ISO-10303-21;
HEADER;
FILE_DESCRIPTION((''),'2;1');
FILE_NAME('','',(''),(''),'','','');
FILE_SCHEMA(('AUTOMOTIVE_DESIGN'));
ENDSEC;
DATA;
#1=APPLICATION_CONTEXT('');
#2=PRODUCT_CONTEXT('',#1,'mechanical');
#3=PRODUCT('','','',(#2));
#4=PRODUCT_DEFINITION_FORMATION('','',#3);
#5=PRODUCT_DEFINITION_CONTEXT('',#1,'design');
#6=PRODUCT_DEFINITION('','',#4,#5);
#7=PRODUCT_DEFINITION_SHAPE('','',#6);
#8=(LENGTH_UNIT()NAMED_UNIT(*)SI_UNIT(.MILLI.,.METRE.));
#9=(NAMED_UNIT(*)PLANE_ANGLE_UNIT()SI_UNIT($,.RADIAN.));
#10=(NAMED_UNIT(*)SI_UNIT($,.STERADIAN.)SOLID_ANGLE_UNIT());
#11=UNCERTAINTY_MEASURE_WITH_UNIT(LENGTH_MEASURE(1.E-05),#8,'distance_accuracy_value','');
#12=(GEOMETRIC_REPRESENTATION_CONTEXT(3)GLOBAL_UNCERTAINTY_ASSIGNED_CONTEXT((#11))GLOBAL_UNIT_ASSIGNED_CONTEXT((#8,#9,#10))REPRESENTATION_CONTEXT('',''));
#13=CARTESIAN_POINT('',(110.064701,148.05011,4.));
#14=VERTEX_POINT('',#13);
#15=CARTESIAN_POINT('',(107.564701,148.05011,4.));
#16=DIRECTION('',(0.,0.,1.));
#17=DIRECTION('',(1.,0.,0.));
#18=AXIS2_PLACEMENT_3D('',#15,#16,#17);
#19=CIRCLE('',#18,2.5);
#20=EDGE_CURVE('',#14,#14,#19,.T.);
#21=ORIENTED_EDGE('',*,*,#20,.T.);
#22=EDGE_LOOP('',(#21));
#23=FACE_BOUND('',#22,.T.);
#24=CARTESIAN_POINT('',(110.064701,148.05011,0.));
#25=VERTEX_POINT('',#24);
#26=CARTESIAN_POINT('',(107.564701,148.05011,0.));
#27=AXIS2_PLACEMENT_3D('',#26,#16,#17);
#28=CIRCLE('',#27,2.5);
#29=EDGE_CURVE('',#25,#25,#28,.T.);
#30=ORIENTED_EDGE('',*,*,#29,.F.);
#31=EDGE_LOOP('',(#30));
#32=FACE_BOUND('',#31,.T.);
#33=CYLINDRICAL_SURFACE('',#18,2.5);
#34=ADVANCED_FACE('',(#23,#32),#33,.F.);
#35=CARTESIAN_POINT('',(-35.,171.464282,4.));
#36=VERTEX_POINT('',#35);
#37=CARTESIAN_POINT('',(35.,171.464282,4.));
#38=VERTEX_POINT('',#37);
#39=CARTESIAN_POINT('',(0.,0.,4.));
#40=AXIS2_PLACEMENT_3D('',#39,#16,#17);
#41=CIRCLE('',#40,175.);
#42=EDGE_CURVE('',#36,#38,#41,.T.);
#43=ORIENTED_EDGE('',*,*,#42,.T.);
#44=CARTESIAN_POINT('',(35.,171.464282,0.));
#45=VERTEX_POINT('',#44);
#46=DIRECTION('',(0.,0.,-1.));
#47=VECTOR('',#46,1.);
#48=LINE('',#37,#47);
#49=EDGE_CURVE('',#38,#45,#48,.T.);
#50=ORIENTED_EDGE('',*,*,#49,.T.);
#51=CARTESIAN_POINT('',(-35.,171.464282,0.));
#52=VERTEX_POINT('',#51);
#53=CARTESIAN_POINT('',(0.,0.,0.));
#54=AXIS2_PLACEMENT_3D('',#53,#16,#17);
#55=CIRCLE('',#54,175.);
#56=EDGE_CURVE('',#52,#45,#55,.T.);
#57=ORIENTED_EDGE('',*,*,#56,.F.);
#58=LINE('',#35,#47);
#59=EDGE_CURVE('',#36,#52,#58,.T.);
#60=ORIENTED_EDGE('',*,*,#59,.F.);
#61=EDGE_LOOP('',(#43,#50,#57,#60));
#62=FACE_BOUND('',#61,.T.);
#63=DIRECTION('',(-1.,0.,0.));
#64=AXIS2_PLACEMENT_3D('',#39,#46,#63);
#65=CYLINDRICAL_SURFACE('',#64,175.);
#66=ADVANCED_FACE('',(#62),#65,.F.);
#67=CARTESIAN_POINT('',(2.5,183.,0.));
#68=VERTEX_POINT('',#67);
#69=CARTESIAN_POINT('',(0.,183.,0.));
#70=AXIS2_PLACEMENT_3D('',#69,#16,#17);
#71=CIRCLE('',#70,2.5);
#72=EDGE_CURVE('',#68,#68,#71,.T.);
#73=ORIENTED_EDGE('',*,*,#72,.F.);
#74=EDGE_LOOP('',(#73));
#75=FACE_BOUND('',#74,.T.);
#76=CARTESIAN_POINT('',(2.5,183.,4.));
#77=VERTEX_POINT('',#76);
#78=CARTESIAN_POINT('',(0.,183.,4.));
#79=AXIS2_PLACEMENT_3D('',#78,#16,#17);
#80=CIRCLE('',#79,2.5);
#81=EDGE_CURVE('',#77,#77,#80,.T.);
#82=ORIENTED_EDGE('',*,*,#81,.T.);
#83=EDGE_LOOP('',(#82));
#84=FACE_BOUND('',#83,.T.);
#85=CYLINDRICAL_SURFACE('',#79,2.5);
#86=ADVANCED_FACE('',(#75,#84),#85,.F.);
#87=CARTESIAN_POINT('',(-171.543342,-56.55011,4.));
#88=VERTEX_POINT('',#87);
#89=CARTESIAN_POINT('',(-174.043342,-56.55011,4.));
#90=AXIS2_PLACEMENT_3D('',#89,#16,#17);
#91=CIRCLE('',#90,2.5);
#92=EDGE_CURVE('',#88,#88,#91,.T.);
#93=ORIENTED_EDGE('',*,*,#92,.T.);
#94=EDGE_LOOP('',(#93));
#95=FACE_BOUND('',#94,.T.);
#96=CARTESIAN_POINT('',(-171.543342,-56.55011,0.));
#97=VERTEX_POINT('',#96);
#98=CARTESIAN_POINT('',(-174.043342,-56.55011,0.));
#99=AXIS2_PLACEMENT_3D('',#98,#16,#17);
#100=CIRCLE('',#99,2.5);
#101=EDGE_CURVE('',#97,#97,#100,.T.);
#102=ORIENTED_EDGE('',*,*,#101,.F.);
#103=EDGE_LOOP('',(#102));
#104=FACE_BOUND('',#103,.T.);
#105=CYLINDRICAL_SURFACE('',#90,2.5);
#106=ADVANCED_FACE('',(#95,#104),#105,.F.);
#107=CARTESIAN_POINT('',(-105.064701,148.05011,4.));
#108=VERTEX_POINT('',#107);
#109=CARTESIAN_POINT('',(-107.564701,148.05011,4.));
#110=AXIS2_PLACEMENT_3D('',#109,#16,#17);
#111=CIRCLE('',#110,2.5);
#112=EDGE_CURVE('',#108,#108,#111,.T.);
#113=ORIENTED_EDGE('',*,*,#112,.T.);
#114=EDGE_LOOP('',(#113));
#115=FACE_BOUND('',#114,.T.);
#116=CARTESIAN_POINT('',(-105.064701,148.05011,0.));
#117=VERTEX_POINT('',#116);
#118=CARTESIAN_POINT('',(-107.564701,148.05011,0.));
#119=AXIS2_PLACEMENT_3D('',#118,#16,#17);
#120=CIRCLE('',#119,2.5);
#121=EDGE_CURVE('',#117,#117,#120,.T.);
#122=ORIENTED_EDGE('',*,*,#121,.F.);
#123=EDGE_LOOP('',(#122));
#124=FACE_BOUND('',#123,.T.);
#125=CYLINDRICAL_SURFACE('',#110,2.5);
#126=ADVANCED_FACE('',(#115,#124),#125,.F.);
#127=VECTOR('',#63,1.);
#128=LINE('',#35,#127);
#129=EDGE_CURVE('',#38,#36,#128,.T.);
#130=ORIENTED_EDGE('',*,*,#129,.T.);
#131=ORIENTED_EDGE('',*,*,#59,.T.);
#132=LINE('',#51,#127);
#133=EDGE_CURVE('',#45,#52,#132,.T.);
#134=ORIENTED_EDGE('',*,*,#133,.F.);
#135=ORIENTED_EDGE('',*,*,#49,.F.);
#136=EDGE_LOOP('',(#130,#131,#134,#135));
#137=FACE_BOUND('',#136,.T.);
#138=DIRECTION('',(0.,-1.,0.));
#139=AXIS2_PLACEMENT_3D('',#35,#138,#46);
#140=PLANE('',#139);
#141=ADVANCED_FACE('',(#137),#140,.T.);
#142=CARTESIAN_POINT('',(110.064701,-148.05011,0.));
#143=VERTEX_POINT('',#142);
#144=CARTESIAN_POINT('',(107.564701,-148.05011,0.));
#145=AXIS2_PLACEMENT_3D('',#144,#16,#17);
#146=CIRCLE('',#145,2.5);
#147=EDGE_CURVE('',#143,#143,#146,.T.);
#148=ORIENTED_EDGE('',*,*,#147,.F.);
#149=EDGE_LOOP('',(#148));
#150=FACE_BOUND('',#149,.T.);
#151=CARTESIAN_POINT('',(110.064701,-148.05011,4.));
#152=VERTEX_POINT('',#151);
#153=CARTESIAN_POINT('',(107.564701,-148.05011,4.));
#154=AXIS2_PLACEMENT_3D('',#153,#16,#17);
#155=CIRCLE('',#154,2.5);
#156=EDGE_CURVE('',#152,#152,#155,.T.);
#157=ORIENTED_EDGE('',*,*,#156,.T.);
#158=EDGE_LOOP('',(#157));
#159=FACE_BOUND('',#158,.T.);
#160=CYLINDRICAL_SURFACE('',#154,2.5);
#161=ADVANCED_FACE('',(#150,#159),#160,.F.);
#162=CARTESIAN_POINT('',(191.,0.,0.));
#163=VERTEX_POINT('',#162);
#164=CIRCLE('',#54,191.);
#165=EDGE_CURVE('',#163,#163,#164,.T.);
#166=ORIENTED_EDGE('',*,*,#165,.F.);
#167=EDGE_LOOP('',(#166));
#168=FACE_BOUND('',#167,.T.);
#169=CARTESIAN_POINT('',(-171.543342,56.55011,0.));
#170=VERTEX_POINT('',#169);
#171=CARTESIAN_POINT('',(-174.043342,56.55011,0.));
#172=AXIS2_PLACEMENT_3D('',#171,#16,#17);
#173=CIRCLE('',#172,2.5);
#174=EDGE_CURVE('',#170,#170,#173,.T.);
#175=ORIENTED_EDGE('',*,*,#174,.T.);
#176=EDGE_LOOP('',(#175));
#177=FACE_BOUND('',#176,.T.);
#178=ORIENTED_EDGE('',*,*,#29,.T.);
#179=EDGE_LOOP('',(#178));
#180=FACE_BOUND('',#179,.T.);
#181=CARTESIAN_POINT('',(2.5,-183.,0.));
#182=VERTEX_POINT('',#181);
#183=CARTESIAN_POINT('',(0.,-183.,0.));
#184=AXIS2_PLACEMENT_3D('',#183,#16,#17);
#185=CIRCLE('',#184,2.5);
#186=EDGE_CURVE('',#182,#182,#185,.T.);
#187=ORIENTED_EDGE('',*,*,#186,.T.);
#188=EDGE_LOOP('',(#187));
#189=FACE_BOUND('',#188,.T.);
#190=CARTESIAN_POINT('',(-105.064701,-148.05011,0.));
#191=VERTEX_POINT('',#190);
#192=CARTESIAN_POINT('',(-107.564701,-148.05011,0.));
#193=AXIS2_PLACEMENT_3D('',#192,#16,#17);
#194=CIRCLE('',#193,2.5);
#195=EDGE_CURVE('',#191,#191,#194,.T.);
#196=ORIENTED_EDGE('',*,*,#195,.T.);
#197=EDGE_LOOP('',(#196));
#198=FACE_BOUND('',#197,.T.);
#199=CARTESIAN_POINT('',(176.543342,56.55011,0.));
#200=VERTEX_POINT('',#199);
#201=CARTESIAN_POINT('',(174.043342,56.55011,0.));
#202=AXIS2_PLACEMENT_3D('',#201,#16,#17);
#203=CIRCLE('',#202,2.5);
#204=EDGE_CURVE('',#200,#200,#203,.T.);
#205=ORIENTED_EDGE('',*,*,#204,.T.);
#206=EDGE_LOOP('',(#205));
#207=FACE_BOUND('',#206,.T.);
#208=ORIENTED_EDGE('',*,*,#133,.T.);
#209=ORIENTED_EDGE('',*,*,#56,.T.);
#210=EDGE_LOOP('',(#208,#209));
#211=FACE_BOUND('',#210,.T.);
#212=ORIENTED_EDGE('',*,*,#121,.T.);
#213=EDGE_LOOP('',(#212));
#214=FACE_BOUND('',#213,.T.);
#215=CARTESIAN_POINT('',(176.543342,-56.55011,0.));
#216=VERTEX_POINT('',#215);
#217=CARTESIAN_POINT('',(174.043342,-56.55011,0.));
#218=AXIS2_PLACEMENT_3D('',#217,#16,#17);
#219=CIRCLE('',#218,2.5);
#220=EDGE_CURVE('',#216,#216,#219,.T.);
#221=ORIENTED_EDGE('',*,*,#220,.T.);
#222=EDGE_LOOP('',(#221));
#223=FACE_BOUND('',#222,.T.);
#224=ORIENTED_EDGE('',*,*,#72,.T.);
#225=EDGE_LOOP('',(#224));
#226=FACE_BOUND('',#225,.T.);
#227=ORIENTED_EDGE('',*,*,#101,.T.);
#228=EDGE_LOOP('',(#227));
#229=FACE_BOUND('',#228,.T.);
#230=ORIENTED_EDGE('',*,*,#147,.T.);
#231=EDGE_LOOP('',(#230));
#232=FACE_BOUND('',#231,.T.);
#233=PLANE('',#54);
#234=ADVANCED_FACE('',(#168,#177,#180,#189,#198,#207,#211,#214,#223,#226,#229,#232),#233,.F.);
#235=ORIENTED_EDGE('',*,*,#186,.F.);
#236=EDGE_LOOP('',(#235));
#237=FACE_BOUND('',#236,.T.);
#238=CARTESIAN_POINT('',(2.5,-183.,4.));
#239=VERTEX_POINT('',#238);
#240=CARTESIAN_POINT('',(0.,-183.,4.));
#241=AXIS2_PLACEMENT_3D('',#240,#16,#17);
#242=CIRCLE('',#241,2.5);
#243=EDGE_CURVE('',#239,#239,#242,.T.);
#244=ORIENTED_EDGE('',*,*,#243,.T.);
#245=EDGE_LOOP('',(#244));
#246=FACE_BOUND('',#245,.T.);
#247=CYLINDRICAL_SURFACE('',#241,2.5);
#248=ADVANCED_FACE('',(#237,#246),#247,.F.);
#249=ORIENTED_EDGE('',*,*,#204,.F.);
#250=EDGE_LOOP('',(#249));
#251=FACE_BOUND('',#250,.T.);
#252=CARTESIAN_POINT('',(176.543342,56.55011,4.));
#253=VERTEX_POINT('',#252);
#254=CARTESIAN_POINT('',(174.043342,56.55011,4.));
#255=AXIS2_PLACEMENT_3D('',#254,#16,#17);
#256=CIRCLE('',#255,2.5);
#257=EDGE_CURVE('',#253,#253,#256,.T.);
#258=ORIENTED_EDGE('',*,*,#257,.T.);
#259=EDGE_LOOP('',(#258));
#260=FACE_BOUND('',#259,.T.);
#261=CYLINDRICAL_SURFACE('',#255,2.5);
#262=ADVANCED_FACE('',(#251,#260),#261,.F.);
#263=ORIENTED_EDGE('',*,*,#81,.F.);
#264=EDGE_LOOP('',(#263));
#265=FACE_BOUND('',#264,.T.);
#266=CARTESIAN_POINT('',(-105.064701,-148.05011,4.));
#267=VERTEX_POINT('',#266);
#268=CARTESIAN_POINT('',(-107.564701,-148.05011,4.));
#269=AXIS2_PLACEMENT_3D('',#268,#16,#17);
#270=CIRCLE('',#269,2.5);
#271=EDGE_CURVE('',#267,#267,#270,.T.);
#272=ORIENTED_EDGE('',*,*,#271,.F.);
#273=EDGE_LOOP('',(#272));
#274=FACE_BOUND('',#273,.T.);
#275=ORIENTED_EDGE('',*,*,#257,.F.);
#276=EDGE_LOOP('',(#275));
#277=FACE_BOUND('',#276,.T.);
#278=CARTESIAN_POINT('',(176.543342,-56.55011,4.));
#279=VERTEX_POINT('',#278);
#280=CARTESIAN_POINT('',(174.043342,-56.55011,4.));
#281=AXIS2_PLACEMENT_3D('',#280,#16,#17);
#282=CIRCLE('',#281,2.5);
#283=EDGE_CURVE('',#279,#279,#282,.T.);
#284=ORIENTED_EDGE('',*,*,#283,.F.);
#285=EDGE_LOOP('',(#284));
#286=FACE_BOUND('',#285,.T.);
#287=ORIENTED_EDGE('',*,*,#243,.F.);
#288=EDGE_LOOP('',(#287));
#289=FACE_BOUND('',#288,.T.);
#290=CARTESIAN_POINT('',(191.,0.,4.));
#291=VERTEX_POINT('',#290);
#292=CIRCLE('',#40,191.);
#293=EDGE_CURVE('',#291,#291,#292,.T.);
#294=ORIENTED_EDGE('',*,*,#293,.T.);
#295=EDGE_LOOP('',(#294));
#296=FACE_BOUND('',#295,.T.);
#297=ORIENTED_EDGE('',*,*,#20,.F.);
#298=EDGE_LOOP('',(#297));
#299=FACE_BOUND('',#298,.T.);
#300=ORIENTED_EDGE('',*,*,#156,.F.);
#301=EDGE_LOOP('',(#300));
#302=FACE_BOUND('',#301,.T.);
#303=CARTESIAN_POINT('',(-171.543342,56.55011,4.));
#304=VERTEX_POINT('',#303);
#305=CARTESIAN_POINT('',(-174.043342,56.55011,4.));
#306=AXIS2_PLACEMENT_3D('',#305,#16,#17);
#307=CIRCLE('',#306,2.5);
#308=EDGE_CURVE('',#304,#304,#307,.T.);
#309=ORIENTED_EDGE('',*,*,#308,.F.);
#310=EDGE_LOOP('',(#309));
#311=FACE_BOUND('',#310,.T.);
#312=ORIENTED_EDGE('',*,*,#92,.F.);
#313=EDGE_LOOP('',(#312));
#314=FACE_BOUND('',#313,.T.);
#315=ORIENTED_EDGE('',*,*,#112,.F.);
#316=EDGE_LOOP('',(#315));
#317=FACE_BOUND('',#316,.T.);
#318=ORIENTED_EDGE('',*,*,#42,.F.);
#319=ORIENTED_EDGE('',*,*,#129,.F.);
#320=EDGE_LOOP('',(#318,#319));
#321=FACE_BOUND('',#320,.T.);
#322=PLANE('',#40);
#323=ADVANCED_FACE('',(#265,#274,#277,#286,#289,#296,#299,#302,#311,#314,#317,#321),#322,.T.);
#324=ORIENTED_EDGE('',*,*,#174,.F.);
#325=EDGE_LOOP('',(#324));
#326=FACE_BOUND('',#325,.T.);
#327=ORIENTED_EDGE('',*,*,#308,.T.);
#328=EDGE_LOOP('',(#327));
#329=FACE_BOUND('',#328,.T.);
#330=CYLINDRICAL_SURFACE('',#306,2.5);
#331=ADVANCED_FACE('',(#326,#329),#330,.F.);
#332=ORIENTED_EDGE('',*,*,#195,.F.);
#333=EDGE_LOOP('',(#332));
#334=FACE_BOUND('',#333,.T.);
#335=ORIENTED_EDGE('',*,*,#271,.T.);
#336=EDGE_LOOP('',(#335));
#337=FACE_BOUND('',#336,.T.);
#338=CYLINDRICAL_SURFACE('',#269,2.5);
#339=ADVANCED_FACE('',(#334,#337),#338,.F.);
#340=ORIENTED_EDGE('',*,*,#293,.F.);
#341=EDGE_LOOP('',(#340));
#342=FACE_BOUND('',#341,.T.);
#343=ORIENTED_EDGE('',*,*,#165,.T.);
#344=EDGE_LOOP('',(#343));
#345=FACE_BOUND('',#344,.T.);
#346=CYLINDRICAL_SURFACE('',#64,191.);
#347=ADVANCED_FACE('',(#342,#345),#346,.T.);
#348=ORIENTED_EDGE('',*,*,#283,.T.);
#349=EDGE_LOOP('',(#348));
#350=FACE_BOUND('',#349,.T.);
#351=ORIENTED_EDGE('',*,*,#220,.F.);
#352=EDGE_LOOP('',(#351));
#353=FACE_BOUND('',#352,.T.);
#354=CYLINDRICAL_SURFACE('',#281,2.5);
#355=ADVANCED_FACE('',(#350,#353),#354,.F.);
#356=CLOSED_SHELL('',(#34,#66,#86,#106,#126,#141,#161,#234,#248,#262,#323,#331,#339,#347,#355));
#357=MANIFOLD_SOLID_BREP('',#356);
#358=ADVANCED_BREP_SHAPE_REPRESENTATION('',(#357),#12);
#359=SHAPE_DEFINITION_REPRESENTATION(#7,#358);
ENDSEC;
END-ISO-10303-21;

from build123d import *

# Parameters (mm, degrees)
SKETCH1_R           = 191
BOSS_EXTRUDE1_DEPTH = 4
M6_TAPPED_HOLE1_D   = 5
CIRPATTERN1_COUNT   = 10


with BuildPart() as part:
    # Sketch1 → Boss-Extrude1 (new body)
    with BuildSketch(Plane.XY):
        Circle(SKETCH1_R)
        with BuildLine():
            Line((-35, 171.464281995), (35, 171.464281995))
            ThreePointArc((35, 171.464281995), (0, -175), (-35, 171.464281995))
        make_face(mode=Mode.SUBTRACT)
    extrude(amount=BOSS_EXTRUDE1_DEPTH)

    # M6 Tapped Hole1 (through all)
    with Locations(Plane.XY.offset(4)):
        with Locations((0, 183)):
            m6_tapped_hole1 = Hole(M6_TAPPED_HOLE1_D / 2)

    # CirPattern1: M6 Tapped Hole1 ×10 about axis
    cirpattern1_axis = Axis((0, 0, 0), (0, 0, 1))
    for i in range(1, CIRPATTERN1_COUNT):
        add(m6_tapped_hole1.rotate(cirpattern1_axis, i * 360 / CIRPATTERN1_COUNT), mode=Mode.SUBTRACT)


solid = part.part
